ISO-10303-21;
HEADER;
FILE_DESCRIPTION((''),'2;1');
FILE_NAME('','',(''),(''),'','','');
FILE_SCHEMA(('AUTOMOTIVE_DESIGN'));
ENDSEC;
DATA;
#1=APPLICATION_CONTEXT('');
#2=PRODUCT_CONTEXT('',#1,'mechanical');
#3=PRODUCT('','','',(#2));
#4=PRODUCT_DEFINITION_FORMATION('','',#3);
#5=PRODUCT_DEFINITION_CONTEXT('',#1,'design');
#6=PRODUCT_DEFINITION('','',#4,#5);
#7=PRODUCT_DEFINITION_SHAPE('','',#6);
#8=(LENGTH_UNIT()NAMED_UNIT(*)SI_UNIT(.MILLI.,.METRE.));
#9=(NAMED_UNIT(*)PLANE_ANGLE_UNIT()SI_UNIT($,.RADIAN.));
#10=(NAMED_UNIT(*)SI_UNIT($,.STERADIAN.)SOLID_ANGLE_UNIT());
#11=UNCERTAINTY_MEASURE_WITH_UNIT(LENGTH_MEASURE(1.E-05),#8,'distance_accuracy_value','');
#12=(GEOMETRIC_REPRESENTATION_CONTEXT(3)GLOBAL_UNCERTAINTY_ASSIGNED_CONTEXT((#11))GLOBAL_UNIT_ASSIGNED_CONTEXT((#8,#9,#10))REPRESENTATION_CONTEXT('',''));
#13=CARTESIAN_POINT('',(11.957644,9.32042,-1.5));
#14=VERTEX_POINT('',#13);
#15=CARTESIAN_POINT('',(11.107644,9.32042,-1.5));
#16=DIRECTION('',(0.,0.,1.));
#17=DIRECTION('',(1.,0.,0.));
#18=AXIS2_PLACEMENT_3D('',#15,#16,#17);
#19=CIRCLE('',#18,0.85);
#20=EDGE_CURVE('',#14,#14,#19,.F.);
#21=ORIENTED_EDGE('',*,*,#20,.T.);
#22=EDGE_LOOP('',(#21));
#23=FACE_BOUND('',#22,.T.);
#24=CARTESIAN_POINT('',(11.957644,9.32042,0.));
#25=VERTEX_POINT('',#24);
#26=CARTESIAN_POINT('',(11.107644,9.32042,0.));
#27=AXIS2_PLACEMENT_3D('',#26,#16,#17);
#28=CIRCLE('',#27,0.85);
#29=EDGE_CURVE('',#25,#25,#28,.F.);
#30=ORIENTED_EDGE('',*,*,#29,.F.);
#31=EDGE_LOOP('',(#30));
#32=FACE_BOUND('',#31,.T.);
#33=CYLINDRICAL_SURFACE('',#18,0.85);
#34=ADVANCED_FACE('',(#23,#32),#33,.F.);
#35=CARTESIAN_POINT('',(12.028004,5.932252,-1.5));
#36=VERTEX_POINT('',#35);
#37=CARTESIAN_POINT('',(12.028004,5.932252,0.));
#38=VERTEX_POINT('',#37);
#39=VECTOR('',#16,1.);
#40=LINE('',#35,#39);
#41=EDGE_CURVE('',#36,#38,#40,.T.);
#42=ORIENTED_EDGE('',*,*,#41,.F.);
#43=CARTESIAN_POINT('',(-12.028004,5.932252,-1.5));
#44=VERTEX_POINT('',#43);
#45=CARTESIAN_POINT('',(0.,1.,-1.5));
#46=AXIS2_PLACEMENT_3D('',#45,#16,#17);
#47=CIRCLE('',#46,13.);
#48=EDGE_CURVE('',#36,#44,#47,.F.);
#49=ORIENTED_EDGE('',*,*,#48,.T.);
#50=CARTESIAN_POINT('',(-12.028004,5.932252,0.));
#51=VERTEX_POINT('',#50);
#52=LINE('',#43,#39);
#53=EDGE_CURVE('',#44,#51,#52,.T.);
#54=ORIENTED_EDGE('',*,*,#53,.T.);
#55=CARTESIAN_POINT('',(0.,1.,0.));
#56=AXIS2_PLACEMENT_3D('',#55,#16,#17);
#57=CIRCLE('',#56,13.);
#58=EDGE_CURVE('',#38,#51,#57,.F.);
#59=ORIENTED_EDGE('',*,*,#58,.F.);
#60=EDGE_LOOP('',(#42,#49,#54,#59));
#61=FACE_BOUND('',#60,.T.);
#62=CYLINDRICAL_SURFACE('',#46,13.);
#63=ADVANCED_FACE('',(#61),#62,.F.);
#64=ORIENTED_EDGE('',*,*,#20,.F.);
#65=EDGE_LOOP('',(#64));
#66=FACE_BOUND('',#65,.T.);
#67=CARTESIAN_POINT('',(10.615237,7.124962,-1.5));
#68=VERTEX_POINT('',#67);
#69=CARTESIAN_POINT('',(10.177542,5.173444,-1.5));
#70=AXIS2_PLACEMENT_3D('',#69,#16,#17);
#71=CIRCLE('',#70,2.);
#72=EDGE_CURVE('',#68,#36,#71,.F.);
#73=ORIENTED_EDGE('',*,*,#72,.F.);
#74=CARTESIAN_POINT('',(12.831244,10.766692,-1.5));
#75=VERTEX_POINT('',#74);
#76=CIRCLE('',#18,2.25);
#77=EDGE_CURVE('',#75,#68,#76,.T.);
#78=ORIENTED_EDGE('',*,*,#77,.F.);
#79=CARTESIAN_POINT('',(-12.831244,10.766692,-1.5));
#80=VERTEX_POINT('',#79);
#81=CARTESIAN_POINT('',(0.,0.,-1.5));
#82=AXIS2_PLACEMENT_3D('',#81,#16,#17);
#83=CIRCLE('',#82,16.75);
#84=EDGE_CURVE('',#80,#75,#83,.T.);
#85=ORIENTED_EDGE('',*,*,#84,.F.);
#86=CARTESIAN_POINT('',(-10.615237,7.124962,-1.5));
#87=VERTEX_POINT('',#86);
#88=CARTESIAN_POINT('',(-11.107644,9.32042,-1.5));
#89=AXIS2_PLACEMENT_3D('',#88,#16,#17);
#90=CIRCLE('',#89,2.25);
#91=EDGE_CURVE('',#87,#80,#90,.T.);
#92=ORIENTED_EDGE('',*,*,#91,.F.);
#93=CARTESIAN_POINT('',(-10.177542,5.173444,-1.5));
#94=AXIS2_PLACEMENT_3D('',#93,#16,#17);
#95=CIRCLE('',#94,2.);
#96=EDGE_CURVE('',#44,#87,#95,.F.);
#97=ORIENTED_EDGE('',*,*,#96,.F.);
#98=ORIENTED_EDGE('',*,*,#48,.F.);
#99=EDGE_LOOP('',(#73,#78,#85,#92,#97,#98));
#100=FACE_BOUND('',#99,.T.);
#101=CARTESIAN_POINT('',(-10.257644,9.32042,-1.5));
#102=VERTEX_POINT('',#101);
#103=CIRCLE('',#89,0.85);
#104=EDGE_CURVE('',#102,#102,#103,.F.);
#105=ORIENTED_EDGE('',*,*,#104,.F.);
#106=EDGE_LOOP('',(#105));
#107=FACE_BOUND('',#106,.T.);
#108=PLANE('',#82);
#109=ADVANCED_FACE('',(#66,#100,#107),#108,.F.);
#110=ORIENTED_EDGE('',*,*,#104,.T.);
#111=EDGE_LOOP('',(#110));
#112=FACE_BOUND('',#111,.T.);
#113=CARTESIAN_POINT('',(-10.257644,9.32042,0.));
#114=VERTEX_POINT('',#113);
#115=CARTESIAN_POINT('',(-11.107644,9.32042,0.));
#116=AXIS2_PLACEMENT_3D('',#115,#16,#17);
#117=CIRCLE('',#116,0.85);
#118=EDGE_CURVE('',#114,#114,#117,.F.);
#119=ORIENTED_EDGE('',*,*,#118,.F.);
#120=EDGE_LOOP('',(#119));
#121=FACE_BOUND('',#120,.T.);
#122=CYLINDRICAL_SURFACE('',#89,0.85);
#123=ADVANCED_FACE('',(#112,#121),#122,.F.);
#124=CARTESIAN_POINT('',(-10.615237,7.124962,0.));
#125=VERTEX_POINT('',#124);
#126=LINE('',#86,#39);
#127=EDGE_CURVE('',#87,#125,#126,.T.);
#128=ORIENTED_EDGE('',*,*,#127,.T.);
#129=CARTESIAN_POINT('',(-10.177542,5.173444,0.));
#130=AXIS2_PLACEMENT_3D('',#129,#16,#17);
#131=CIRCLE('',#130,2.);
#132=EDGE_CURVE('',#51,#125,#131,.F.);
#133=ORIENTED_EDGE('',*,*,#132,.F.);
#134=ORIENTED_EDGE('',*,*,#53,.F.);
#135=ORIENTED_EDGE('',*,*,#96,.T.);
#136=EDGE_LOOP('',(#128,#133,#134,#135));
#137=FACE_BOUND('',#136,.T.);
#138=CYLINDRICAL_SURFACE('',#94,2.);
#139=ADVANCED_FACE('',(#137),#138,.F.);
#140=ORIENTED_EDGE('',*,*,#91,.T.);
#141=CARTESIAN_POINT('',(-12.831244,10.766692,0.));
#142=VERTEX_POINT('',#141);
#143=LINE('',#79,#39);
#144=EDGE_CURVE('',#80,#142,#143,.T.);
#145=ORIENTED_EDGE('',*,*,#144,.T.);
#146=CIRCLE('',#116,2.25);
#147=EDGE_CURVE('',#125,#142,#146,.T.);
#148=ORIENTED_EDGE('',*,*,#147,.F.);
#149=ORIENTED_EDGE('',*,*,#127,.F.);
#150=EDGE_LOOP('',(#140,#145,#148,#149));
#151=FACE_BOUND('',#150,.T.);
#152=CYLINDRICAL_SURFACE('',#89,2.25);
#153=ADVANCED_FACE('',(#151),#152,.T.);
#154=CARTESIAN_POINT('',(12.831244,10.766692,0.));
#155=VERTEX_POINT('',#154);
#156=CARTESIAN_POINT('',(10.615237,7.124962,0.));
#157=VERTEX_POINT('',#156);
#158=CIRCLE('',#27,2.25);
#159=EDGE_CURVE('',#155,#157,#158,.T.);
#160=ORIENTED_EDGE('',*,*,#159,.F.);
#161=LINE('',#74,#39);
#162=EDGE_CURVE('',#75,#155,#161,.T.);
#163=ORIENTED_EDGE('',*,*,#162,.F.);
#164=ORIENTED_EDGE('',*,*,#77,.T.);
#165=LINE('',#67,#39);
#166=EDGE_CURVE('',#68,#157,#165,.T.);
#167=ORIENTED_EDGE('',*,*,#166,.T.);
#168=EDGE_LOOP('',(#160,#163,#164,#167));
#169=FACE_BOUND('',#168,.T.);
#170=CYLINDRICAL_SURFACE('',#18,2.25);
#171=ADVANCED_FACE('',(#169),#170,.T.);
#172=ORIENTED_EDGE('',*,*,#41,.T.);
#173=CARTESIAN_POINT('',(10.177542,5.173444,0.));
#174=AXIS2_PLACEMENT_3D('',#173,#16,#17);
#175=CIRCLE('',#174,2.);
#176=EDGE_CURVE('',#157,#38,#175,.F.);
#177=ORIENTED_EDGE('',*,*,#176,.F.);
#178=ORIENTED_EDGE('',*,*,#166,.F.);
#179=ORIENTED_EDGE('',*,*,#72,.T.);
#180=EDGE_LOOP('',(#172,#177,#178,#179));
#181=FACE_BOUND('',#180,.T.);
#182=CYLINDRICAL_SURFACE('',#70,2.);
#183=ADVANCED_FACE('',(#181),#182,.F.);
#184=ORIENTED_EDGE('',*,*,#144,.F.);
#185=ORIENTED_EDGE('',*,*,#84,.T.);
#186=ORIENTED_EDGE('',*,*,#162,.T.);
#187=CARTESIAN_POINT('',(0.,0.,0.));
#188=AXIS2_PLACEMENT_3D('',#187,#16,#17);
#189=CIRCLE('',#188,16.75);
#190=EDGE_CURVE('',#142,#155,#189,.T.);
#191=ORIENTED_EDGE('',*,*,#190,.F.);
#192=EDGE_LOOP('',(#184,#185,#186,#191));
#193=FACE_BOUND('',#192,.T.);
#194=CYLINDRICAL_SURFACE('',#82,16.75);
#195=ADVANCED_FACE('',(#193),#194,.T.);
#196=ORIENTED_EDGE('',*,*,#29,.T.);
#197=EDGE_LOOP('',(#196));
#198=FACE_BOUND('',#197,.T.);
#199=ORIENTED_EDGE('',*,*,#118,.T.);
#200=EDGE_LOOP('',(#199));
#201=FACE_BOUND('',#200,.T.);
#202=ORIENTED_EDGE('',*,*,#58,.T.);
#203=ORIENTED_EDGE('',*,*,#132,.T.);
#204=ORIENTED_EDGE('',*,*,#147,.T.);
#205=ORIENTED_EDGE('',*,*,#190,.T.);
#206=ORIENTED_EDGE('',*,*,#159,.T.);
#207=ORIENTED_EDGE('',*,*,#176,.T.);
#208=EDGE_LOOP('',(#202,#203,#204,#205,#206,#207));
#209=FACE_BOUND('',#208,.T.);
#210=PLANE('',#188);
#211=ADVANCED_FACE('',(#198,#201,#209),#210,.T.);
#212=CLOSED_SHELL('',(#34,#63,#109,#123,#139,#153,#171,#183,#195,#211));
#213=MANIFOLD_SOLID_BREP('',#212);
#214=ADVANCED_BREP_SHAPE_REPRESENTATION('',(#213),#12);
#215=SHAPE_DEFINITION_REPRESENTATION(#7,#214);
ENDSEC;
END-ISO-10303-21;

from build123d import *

# Parameters (mm, degrees)
SKETCH_1_R      = 0.85
EXTRUDE_1_DEPTH = 1.5


with BuildPart() as part:
    # Эскиз1 → Бобышка-Вытянуть1 (new body)
    with BuildSketch(Plane.XY):
        with BuildLine():
            ThreePointArc((-12.028004227, 5.932252459), (-11.46771854, 6.701660536), (-10.615237279, 7.124962483))
            ThreePointArc((-10.615237279, 7.124962483), (-9.185534057, 10.490032127), (-12.831244422, 10.766692462))
            ThreePointArc((-12.831244422, 10.766692462), (0, -16.75), (12.831244422, 10.766692462))
            ThreePointArc((12.831244422, 10.766692462), (9.185534057, 10.490032127), (10.615237279, 7.124962483))
            ThreePointArc((10.615237279, 7.124962483), (11.46771854, 6.701660536), (12.028004227, 5.932252459))
            ThreePointArc((12.028004227, 5.932252459), (0, -12), (-12.028004227, 5.932252459))
        make_face()
        with Locations((-11.107644425, 9.32042034)):
            Circle(SKETCH_1_R, mode=Mode.SUBTRACT)
        with Locations((11.107644425, 9.32042034)):
            Circle(SKETCH_1_R, mode=Mode.SUBTRACT)
    extrude(amount=-EXTRUDE_1_DEPTH)


solid = part.part
